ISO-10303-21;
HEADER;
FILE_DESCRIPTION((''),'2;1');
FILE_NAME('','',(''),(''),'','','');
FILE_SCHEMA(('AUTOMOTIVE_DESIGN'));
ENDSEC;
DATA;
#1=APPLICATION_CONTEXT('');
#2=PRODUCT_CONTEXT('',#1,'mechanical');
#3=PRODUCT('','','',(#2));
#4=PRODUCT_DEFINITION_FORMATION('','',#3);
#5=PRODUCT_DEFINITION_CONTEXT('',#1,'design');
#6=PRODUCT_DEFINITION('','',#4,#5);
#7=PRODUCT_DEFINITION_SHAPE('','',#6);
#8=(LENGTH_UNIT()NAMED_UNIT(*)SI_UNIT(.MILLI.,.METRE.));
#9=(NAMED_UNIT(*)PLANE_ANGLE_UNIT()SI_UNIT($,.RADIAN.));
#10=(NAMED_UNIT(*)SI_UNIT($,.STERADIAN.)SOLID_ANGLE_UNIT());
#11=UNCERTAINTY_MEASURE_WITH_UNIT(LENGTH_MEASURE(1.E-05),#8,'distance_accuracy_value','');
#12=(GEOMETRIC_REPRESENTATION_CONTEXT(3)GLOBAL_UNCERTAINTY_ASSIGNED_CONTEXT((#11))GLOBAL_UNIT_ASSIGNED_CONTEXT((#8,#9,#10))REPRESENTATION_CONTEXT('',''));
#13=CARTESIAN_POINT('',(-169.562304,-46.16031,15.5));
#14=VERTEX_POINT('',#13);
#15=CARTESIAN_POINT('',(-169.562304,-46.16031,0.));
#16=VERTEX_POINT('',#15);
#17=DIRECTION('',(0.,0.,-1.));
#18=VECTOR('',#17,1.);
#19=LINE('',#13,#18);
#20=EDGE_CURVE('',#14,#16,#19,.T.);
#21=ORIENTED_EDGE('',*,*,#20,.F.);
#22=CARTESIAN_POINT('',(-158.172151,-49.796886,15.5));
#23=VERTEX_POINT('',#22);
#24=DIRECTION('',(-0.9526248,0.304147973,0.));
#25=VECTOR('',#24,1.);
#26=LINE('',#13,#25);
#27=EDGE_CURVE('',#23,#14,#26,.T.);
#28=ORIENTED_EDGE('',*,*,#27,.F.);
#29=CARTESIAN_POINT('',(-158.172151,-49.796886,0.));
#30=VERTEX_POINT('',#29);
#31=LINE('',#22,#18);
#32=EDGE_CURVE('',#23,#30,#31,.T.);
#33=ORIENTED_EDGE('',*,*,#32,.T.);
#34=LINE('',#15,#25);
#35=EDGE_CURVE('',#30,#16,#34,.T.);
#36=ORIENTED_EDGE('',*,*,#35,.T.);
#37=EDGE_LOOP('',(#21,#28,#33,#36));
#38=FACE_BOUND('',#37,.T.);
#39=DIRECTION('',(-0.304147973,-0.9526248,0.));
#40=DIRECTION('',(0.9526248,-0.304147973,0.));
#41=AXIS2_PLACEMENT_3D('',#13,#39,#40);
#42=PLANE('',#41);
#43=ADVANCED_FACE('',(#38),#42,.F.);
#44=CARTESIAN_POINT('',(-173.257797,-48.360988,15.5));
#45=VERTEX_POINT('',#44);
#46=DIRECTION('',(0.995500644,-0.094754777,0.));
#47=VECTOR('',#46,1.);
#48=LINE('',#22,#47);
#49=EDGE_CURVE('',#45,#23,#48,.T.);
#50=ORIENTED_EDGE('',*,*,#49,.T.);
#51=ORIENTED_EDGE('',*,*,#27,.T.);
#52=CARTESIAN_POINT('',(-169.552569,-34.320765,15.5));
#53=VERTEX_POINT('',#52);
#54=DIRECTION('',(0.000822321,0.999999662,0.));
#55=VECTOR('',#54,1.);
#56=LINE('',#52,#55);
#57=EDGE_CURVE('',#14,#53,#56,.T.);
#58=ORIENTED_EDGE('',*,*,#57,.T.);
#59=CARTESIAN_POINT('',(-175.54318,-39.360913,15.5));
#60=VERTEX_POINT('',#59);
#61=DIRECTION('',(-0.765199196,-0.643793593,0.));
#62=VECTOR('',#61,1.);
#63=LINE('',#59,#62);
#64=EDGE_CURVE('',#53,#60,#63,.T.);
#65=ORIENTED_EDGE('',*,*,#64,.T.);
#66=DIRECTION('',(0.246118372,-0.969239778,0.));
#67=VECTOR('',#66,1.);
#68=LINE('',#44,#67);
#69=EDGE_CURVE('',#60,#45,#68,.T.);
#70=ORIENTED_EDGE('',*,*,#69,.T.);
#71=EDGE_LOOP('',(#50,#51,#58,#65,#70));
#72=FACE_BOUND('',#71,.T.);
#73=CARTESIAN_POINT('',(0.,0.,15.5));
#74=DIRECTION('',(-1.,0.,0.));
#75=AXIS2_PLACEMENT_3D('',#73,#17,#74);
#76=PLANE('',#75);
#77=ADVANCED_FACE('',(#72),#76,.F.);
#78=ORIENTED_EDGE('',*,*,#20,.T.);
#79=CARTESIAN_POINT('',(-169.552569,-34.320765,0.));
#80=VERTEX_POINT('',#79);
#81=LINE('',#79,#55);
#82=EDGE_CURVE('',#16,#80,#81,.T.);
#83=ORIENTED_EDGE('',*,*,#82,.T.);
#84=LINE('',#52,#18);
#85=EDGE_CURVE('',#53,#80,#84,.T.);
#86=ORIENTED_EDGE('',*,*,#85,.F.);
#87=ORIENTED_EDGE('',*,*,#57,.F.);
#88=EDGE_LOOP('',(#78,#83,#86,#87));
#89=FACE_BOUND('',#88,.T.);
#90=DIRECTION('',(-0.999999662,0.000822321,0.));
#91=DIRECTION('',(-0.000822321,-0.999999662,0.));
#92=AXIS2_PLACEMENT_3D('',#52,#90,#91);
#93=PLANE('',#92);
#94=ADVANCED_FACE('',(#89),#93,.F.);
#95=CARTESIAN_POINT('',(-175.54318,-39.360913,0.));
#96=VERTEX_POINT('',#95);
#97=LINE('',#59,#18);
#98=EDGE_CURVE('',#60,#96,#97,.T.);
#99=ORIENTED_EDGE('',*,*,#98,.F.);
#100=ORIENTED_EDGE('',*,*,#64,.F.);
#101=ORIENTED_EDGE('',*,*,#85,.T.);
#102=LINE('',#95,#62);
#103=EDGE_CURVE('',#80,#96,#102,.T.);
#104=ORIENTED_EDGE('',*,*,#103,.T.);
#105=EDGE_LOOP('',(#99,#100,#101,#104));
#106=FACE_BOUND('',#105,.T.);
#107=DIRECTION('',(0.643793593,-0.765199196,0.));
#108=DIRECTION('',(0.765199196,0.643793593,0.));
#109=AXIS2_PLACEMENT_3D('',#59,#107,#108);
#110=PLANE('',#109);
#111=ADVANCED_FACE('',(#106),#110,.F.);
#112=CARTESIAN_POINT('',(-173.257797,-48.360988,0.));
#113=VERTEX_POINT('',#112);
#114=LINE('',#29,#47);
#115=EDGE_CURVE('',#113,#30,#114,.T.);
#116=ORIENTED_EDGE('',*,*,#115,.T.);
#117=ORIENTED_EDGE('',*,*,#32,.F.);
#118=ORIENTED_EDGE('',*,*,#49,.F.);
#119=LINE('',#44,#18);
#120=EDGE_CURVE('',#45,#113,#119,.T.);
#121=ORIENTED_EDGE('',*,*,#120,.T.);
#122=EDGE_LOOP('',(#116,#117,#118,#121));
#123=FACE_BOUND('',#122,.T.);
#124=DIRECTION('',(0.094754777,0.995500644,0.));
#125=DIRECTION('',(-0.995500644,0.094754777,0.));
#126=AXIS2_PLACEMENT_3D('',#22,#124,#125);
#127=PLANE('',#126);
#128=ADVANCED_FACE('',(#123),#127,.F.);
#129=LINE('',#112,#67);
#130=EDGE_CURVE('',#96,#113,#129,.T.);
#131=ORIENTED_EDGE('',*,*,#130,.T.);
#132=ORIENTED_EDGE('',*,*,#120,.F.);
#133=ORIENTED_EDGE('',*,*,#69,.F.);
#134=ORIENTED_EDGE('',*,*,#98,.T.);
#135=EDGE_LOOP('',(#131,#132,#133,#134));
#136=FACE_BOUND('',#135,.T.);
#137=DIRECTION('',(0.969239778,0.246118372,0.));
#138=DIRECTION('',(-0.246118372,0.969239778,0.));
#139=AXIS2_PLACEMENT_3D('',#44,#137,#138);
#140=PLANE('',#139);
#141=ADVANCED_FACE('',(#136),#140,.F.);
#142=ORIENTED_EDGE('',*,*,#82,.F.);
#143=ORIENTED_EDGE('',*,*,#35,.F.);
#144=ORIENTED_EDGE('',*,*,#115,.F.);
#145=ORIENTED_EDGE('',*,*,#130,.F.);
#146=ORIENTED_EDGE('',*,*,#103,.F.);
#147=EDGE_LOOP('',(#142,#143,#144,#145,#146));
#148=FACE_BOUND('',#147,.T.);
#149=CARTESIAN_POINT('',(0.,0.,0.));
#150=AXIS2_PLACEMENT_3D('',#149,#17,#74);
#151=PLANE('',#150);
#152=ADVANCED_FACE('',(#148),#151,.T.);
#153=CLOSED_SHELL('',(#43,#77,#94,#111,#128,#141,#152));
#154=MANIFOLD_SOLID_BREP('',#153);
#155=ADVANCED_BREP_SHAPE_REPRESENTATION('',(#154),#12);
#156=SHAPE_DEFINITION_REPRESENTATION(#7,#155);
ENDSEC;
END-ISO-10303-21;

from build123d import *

# Parameters (mm, degrees)
BOSS_EXTRUDE1_DEPTH = 15.5


with BuildPart() as part:
    # Sketch1 → Boss-Extrude1 (new body)
    with BuildSketch(Plane.XY):
        Polygon((-158.172150747, -49.796885596), (-173.257797228, -48.360987916), (-175.543179908, -39.360912931), (-169.552568547, -34.320764913), (-169.562304459, -46.160309931), align=None)
    extrude(amount=BOSS_EXTRUDE1_DEPTH)


solid = part.part
